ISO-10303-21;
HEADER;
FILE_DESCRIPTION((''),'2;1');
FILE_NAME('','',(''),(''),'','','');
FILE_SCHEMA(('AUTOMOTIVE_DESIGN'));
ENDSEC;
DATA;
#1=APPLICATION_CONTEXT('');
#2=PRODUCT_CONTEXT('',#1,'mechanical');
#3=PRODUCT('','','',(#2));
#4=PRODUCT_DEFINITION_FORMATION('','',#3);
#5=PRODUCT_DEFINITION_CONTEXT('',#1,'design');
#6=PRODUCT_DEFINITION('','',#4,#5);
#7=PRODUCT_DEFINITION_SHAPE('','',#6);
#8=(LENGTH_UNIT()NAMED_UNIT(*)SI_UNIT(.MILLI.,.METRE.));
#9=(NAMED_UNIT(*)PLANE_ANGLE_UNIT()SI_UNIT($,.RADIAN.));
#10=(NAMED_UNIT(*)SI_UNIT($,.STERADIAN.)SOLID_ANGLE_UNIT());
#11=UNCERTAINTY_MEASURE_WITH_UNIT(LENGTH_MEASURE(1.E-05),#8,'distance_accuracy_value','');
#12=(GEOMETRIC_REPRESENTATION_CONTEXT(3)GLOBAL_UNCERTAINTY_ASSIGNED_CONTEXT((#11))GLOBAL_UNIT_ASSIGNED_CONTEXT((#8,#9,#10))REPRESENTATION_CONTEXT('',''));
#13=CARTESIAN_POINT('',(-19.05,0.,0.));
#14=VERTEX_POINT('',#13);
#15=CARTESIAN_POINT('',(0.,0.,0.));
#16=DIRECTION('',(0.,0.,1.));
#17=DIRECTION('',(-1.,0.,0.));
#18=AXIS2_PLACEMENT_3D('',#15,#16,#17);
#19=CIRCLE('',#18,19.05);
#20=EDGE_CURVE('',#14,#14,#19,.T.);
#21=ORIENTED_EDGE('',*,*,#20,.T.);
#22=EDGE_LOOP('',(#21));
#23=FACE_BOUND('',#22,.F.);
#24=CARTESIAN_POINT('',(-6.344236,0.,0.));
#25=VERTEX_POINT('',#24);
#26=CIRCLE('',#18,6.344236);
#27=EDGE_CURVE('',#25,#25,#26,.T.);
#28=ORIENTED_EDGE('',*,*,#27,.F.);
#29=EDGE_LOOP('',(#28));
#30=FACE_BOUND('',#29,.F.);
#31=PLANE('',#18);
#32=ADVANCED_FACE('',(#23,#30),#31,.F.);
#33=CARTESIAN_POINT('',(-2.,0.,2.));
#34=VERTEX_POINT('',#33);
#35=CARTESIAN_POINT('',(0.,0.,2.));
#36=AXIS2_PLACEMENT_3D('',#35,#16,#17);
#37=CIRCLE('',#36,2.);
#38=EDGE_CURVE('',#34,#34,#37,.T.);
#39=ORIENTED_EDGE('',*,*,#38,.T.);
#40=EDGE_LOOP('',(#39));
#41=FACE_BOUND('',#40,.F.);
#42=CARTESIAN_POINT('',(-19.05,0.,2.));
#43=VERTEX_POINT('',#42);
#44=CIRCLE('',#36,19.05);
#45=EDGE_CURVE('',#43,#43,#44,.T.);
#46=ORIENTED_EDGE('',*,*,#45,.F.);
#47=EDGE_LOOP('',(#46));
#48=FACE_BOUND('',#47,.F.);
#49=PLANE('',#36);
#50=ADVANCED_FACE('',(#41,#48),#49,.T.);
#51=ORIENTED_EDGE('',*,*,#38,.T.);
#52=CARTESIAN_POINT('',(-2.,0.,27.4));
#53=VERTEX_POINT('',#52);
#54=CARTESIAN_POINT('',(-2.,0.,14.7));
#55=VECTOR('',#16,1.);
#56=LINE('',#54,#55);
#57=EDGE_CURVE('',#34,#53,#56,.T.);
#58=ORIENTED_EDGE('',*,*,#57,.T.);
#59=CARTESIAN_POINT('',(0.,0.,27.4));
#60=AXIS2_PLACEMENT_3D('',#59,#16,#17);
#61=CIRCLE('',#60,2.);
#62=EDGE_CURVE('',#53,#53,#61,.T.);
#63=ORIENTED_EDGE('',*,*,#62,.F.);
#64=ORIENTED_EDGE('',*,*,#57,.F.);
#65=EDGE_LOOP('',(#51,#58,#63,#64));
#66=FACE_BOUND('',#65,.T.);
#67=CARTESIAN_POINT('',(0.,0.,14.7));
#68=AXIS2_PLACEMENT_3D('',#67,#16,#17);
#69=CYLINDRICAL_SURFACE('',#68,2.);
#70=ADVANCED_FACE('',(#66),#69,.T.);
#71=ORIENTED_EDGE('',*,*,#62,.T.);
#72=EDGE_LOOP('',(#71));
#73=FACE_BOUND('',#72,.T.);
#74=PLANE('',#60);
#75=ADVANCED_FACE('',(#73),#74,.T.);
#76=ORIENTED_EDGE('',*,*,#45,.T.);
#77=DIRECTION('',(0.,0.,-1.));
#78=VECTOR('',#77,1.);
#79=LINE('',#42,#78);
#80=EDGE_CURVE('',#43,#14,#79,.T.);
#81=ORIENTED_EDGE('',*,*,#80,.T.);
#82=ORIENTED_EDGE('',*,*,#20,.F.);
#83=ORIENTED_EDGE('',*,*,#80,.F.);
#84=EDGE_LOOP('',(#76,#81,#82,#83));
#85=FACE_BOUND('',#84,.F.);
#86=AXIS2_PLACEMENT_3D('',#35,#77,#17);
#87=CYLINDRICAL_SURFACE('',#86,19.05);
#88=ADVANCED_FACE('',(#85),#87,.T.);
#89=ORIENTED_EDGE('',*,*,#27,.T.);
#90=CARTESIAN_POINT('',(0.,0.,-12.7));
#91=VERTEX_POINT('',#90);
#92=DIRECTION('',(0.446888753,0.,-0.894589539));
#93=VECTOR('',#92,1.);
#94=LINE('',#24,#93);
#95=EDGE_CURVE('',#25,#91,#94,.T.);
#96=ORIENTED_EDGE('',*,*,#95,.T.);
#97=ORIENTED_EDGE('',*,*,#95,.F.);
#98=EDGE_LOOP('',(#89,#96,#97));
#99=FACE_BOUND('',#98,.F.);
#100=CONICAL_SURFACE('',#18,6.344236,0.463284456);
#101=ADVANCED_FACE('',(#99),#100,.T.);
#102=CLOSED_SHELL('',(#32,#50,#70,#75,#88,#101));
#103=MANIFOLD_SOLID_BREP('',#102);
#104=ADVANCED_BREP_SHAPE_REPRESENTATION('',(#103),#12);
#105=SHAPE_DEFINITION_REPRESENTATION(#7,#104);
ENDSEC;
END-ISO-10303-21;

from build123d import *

# Parameters (mm, degrees)
F0_W = 2
F0_H = 25.4


with BuildPart() as f1:
    # F0 (on Front) → F1 (revolve)
    with BuildSketch(Plane.XZ):
        Polygon((0, -12.7), (0, 0), (-6.344236, 0), align=None)
        Polygon((-6.344236, 0), (0, 0), (0, 2), (-2, 2), (-19.05, 2), (-19.05, 0), align=None)
        with Locations((-1, 14.7)):
            Rectangle(F0_W, F0_H)
    revolve(axis=Axis((0, 0, 14.7), (0, 0, 1)))


solid = f1.part
